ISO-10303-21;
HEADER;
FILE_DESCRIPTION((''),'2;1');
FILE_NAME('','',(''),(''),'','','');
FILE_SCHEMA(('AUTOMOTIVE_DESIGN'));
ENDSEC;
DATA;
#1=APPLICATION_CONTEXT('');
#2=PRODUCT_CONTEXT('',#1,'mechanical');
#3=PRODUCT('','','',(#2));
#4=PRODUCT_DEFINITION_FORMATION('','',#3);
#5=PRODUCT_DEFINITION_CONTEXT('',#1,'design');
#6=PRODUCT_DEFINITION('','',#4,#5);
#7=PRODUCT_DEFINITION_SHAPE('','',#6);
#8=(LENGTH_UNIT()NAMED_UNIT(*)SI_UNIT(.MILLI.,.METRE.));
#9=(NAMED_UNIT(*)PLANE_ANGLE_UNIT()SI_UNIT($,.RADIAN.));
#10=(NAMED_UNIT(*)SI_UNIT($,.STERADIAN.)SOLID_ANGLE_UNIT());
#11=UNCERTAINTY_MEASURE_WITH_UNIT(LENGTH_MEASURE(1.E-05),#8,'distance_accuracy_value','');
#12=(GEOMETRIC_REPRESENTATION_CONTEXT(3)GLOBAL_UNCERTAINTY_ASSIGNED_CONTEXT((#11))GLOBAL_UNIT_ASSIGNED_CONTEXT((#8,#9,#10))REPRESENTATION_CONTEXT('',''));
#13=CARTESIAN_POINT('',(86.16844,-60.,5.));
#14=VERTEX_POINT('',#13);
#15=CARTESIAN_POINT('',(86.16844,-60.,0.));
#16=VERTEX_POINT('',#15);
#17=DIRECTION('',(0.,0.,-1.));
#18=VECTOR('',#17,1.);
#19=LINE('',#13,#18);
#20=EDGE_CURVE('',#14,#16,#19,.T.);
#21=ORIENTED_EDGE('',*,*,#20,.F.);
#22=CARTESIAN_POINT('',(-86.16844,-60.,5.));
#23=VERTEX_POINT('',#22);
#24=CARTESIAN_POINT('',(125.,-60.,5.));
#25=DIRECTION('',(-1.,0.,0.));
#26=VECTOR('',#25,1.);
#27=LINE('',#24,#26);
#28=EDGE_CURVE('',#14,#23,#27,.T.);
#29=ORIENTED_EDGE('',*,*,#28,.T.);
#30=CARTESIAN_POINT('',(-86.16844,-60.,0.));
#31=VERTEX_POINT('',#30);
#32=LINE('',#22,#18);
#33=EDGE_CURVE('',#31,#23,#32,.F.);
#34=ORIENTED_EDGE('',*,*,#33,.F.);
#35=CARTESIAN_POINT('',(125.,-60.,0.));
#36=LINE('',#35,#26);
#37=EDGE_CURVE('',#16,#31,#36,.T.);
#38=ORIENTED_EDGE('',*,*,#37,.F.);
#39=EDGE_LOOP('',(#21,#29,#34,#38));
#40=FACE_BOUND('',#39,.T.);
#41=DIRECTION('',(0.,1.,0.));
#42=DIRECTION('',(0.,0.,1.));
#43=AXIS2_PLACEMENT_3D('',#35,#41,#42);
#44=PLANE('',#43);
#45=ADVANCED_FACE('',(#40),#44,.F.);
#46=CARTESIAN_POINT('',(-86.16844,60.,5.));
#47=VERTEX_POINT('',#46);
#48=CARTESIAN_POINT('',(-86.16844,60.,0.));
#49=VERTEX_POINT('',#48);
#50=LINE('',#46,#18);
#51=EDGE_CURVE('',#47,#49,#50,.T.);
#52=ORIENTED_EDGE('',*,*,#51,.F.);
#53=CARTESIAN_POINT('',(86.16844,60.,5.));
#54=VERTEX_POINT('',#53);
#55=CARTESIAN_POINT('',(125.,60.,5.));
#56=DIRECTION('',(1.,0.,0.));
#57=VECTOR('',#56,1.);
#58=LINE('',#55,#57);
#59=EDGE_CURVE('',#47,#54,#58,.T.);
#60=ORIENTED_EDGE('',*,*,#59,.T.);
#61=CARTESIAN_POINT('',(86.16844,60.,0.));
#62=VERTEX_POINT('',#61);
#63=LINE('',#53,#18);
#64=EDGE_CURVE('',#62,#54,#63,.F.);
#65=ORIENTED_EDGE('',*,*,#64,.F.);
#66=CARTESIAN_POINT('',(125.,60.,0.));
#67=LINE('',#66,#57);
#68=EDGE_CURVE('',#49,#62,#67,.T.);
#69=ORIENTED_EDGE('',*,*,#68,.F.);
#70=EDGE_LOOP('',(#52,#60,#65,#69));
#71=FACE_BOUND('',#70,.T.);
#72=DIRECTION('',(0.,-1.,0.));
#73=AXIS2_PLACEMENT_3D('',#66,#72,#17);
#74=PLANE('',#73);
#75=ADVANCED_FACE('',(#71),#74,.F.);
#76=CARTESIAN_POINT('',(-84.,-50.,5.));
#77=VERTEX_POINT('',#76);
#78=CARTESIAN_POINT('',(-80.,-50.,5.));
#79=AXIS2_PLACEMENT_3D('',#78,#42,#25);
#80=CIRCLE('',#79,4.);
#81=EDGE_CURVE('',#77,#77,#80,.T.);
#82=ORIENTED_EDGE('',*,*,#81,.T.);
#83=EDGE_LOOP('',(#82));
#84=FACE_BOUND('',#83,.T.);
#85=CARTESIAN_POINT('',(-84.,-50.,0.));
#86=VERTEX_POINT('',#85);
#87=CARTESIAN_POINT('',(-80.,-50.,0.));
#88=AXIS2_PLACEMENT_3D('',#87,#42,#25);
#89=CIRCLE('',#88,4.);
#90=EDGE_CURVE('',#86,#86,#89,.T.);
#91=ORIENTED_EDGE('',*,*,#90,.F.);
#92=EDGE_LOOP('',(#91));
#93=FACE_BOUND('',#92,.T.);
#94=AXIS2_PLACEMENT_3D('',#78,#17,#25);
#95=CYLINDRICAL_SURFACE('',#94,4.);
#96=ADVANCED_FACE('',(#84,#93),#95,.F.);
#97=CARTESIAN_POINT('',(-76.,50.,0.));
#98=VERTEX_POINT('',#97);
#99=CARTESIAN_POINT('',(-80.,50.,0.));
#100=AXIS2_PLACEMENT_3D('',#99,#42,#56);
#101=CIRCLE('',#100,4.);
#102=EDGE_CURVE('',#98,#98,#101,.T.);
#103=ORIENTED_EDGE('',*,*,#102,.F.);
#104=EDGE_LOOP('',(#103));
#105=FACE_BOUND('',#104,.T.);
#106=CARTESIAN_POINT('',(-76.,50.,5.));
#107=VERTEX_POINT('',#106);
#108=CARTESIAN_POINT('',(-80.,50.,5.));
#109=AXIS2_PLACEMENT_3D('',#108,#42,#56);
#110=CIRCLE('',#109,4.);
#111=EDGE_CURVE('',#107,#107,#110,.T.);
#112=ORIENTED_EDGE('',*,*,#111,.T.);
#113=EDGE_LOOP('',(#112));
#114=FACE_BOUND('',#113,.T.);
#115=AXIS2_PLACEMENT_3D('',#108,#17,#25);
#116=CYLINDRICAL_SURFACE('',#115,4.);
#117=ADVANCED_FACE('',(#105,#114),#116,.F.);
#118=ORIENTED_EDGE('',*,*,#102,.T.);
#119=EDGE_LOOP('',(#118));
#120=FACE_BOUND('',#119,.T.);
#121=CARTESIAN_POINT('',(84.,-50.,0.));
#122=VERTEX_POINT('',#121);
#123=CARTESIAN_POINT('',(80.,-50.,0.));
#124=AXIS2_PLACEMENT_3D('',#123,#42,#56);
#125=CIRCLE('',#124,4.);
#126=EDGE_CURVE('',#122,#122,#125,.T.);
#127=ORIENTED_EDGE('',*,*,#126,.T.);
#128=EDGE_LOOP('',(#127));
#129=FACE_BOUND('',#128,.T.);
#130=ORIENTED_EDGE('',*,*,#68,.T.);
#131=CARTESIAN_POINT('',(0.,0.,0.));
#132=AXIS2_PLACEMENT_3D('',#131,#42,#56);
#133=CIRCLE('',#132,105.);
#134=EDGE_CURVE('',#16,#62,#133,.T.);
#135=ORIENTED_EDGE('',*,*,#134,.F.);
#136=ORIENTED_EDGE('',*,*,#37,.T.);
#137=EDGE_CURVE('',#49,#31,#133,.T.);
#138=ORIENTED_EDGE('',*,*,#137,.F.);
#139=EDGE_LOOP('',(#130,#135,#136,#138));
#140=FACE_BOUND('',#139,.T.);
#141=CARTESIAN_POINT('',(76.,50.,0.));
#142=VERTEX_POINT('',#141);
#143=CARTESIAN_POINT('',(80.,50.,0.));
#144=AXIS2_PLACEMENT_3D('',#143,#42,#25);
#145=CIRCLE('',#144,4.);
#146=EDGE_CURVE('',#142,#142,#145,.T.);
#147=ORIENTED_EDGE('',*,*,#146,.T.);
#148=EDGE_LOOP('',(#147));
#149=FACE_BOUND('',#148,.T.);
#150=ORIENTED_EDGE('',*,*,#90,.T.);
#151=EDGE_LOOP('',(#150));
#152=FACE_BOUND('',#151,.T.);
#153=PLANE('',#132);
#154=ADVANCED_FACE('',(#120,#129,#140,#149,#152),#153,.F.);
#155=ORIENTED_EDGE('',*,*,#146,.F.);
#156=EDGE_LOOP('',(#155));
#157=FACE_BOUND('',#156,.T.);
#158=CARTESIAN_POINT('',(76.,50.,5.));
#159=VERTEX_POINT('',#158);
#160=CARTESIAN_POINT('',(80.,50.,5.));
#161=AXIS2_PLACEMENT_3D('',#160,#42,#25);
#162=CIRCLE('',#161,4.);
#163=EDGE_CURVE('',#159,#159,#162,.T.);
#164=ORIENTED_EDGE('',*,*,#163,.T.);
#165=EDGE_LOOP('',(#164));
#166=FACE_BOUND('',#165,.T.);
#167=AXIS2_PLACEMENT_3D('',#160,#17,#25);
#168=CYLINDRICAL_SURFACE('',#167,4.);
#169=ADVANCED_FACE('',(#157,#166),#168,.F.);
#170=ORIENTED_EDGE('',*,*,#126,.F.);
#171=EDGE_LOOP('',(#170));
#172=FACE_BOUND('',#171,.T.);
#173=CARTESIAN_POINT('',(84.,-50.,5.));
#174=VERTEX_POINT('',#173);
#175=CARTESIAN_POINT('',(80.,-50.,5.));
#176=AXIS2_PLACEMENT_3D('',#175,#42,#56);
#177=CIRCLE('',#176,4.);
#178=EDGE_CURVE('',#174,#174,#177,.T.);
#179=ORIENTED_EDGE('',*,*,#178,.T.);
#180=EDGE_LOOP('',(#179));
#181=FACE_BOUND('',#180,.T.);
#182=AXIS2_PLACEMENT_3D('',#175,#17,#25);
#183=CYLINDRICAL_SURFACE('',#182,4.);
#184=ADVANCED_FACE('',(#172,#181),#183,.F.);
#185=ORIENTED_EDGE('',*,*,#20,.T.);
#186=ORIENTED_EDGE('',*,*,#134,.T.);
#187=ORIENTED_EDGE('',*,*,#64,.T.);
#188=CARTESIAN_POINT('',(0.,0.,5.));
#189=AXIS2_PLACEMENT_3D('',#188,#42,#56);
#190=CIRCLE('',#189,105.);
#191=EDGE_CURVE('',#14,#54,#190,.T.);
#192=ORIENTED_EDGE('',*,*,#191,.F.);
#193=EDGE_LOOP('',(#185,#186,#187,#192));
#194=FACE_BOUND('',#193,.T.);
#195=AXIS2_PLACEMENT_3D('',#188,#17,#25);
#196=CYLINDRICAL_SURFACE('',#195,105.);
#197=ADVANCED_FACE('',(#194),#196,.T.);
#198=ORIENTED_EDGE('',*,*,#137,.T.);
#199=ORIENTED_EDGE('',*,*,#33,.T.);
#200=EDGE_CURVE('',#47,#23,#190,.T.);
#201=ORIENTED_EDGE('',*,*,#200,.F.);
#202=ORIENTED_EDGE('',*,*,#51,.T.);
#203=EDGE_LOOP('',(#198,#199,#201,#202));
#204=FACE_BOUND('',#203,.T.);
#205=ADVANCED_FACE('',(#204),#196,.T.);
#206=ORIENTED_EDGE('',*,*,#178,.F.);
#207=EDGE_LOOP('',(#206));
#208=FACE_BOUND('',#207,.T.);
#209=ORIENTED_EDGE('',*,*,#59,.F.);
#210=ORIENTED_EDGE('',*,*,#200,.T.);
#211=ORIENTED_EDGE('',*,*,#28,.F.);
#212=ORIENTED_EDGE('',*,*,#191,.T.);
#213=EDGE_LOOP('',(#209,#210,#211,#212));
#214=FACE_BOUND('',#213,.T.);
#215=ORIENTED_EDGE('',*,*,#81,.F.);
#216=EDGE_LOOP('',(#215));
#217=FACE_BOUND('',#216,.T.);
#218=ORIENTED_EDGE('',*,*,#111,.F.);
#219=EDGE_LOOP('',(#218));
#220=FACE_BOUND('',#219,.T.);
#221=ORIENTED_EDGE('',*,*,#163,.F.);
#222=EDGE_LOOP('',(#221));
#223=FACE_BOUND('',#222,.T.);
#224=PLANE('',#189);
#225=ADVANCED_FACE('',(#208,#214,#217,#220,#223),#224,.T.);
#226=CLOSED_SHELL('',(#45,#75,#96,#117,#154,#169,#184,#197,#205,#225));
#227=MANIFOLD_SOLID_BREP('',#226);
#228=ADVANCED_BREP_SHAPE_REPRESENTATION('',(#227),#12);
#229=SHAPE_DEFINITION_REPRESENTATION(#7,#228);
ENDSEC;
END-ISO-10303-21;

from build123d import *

# Parameters (mm, degrees)
ESQUISSE1_R             = 105
ESQUISSE1_R_2           = 4
BOSS_EXTRU_1_DEPTH      = 5
ESQUISSE2_W             = 250
ESQUISSE2_H             = 50
ENL_V_MAT_EXTRU_1_DEPTH = 149.576579581


with BuildPart() as part:
    # Esquisse1 → Boss.-Extru.1 (new body)
    with BuildSketch(Plane.XY):
        Circle(ESQUISSE1_R)
        with Locations((-80, 50)):
            Circle(ESQUISSE1_R_2, mode=Mode.SUBTRACT)
        with Locations(Location((80, 50, 0), (0, 0, 180))):
            Circle(ESQUISSE1_R_2, mode=Mode.SUBTRACT)
        with Locations((80, -50)):
            Circle(ESQUISSE1_R_2, mode=Mode.SUBTRACT)
        with Locations(Location((-80, -50, 0), (0, 0, 180))):
            Circle(ESQUISSE1_R_2, mode=Mode.SUBTRACT)
    extrude(amount=BOSS_EXTRU_1_DEPTH)

    # Esquisse2 → Enlèv. mat.-Extru.1 (cut, through all)
    with BuildSketch(Plane.XY.offset(5)):
        with Locations((0, 85)):
            Rectangle(ESQUISSE2_W, ESQUISSE2_H)
        with Locations((0, -85)):
            Rectangle(ESQUISSE2_W, ESQUISSE2_H)
    extrude(amount=-ENL_V_MAT_EXTRU_1_DEPTH, mode=Mode.SUBTRACT)


solid = part.part
